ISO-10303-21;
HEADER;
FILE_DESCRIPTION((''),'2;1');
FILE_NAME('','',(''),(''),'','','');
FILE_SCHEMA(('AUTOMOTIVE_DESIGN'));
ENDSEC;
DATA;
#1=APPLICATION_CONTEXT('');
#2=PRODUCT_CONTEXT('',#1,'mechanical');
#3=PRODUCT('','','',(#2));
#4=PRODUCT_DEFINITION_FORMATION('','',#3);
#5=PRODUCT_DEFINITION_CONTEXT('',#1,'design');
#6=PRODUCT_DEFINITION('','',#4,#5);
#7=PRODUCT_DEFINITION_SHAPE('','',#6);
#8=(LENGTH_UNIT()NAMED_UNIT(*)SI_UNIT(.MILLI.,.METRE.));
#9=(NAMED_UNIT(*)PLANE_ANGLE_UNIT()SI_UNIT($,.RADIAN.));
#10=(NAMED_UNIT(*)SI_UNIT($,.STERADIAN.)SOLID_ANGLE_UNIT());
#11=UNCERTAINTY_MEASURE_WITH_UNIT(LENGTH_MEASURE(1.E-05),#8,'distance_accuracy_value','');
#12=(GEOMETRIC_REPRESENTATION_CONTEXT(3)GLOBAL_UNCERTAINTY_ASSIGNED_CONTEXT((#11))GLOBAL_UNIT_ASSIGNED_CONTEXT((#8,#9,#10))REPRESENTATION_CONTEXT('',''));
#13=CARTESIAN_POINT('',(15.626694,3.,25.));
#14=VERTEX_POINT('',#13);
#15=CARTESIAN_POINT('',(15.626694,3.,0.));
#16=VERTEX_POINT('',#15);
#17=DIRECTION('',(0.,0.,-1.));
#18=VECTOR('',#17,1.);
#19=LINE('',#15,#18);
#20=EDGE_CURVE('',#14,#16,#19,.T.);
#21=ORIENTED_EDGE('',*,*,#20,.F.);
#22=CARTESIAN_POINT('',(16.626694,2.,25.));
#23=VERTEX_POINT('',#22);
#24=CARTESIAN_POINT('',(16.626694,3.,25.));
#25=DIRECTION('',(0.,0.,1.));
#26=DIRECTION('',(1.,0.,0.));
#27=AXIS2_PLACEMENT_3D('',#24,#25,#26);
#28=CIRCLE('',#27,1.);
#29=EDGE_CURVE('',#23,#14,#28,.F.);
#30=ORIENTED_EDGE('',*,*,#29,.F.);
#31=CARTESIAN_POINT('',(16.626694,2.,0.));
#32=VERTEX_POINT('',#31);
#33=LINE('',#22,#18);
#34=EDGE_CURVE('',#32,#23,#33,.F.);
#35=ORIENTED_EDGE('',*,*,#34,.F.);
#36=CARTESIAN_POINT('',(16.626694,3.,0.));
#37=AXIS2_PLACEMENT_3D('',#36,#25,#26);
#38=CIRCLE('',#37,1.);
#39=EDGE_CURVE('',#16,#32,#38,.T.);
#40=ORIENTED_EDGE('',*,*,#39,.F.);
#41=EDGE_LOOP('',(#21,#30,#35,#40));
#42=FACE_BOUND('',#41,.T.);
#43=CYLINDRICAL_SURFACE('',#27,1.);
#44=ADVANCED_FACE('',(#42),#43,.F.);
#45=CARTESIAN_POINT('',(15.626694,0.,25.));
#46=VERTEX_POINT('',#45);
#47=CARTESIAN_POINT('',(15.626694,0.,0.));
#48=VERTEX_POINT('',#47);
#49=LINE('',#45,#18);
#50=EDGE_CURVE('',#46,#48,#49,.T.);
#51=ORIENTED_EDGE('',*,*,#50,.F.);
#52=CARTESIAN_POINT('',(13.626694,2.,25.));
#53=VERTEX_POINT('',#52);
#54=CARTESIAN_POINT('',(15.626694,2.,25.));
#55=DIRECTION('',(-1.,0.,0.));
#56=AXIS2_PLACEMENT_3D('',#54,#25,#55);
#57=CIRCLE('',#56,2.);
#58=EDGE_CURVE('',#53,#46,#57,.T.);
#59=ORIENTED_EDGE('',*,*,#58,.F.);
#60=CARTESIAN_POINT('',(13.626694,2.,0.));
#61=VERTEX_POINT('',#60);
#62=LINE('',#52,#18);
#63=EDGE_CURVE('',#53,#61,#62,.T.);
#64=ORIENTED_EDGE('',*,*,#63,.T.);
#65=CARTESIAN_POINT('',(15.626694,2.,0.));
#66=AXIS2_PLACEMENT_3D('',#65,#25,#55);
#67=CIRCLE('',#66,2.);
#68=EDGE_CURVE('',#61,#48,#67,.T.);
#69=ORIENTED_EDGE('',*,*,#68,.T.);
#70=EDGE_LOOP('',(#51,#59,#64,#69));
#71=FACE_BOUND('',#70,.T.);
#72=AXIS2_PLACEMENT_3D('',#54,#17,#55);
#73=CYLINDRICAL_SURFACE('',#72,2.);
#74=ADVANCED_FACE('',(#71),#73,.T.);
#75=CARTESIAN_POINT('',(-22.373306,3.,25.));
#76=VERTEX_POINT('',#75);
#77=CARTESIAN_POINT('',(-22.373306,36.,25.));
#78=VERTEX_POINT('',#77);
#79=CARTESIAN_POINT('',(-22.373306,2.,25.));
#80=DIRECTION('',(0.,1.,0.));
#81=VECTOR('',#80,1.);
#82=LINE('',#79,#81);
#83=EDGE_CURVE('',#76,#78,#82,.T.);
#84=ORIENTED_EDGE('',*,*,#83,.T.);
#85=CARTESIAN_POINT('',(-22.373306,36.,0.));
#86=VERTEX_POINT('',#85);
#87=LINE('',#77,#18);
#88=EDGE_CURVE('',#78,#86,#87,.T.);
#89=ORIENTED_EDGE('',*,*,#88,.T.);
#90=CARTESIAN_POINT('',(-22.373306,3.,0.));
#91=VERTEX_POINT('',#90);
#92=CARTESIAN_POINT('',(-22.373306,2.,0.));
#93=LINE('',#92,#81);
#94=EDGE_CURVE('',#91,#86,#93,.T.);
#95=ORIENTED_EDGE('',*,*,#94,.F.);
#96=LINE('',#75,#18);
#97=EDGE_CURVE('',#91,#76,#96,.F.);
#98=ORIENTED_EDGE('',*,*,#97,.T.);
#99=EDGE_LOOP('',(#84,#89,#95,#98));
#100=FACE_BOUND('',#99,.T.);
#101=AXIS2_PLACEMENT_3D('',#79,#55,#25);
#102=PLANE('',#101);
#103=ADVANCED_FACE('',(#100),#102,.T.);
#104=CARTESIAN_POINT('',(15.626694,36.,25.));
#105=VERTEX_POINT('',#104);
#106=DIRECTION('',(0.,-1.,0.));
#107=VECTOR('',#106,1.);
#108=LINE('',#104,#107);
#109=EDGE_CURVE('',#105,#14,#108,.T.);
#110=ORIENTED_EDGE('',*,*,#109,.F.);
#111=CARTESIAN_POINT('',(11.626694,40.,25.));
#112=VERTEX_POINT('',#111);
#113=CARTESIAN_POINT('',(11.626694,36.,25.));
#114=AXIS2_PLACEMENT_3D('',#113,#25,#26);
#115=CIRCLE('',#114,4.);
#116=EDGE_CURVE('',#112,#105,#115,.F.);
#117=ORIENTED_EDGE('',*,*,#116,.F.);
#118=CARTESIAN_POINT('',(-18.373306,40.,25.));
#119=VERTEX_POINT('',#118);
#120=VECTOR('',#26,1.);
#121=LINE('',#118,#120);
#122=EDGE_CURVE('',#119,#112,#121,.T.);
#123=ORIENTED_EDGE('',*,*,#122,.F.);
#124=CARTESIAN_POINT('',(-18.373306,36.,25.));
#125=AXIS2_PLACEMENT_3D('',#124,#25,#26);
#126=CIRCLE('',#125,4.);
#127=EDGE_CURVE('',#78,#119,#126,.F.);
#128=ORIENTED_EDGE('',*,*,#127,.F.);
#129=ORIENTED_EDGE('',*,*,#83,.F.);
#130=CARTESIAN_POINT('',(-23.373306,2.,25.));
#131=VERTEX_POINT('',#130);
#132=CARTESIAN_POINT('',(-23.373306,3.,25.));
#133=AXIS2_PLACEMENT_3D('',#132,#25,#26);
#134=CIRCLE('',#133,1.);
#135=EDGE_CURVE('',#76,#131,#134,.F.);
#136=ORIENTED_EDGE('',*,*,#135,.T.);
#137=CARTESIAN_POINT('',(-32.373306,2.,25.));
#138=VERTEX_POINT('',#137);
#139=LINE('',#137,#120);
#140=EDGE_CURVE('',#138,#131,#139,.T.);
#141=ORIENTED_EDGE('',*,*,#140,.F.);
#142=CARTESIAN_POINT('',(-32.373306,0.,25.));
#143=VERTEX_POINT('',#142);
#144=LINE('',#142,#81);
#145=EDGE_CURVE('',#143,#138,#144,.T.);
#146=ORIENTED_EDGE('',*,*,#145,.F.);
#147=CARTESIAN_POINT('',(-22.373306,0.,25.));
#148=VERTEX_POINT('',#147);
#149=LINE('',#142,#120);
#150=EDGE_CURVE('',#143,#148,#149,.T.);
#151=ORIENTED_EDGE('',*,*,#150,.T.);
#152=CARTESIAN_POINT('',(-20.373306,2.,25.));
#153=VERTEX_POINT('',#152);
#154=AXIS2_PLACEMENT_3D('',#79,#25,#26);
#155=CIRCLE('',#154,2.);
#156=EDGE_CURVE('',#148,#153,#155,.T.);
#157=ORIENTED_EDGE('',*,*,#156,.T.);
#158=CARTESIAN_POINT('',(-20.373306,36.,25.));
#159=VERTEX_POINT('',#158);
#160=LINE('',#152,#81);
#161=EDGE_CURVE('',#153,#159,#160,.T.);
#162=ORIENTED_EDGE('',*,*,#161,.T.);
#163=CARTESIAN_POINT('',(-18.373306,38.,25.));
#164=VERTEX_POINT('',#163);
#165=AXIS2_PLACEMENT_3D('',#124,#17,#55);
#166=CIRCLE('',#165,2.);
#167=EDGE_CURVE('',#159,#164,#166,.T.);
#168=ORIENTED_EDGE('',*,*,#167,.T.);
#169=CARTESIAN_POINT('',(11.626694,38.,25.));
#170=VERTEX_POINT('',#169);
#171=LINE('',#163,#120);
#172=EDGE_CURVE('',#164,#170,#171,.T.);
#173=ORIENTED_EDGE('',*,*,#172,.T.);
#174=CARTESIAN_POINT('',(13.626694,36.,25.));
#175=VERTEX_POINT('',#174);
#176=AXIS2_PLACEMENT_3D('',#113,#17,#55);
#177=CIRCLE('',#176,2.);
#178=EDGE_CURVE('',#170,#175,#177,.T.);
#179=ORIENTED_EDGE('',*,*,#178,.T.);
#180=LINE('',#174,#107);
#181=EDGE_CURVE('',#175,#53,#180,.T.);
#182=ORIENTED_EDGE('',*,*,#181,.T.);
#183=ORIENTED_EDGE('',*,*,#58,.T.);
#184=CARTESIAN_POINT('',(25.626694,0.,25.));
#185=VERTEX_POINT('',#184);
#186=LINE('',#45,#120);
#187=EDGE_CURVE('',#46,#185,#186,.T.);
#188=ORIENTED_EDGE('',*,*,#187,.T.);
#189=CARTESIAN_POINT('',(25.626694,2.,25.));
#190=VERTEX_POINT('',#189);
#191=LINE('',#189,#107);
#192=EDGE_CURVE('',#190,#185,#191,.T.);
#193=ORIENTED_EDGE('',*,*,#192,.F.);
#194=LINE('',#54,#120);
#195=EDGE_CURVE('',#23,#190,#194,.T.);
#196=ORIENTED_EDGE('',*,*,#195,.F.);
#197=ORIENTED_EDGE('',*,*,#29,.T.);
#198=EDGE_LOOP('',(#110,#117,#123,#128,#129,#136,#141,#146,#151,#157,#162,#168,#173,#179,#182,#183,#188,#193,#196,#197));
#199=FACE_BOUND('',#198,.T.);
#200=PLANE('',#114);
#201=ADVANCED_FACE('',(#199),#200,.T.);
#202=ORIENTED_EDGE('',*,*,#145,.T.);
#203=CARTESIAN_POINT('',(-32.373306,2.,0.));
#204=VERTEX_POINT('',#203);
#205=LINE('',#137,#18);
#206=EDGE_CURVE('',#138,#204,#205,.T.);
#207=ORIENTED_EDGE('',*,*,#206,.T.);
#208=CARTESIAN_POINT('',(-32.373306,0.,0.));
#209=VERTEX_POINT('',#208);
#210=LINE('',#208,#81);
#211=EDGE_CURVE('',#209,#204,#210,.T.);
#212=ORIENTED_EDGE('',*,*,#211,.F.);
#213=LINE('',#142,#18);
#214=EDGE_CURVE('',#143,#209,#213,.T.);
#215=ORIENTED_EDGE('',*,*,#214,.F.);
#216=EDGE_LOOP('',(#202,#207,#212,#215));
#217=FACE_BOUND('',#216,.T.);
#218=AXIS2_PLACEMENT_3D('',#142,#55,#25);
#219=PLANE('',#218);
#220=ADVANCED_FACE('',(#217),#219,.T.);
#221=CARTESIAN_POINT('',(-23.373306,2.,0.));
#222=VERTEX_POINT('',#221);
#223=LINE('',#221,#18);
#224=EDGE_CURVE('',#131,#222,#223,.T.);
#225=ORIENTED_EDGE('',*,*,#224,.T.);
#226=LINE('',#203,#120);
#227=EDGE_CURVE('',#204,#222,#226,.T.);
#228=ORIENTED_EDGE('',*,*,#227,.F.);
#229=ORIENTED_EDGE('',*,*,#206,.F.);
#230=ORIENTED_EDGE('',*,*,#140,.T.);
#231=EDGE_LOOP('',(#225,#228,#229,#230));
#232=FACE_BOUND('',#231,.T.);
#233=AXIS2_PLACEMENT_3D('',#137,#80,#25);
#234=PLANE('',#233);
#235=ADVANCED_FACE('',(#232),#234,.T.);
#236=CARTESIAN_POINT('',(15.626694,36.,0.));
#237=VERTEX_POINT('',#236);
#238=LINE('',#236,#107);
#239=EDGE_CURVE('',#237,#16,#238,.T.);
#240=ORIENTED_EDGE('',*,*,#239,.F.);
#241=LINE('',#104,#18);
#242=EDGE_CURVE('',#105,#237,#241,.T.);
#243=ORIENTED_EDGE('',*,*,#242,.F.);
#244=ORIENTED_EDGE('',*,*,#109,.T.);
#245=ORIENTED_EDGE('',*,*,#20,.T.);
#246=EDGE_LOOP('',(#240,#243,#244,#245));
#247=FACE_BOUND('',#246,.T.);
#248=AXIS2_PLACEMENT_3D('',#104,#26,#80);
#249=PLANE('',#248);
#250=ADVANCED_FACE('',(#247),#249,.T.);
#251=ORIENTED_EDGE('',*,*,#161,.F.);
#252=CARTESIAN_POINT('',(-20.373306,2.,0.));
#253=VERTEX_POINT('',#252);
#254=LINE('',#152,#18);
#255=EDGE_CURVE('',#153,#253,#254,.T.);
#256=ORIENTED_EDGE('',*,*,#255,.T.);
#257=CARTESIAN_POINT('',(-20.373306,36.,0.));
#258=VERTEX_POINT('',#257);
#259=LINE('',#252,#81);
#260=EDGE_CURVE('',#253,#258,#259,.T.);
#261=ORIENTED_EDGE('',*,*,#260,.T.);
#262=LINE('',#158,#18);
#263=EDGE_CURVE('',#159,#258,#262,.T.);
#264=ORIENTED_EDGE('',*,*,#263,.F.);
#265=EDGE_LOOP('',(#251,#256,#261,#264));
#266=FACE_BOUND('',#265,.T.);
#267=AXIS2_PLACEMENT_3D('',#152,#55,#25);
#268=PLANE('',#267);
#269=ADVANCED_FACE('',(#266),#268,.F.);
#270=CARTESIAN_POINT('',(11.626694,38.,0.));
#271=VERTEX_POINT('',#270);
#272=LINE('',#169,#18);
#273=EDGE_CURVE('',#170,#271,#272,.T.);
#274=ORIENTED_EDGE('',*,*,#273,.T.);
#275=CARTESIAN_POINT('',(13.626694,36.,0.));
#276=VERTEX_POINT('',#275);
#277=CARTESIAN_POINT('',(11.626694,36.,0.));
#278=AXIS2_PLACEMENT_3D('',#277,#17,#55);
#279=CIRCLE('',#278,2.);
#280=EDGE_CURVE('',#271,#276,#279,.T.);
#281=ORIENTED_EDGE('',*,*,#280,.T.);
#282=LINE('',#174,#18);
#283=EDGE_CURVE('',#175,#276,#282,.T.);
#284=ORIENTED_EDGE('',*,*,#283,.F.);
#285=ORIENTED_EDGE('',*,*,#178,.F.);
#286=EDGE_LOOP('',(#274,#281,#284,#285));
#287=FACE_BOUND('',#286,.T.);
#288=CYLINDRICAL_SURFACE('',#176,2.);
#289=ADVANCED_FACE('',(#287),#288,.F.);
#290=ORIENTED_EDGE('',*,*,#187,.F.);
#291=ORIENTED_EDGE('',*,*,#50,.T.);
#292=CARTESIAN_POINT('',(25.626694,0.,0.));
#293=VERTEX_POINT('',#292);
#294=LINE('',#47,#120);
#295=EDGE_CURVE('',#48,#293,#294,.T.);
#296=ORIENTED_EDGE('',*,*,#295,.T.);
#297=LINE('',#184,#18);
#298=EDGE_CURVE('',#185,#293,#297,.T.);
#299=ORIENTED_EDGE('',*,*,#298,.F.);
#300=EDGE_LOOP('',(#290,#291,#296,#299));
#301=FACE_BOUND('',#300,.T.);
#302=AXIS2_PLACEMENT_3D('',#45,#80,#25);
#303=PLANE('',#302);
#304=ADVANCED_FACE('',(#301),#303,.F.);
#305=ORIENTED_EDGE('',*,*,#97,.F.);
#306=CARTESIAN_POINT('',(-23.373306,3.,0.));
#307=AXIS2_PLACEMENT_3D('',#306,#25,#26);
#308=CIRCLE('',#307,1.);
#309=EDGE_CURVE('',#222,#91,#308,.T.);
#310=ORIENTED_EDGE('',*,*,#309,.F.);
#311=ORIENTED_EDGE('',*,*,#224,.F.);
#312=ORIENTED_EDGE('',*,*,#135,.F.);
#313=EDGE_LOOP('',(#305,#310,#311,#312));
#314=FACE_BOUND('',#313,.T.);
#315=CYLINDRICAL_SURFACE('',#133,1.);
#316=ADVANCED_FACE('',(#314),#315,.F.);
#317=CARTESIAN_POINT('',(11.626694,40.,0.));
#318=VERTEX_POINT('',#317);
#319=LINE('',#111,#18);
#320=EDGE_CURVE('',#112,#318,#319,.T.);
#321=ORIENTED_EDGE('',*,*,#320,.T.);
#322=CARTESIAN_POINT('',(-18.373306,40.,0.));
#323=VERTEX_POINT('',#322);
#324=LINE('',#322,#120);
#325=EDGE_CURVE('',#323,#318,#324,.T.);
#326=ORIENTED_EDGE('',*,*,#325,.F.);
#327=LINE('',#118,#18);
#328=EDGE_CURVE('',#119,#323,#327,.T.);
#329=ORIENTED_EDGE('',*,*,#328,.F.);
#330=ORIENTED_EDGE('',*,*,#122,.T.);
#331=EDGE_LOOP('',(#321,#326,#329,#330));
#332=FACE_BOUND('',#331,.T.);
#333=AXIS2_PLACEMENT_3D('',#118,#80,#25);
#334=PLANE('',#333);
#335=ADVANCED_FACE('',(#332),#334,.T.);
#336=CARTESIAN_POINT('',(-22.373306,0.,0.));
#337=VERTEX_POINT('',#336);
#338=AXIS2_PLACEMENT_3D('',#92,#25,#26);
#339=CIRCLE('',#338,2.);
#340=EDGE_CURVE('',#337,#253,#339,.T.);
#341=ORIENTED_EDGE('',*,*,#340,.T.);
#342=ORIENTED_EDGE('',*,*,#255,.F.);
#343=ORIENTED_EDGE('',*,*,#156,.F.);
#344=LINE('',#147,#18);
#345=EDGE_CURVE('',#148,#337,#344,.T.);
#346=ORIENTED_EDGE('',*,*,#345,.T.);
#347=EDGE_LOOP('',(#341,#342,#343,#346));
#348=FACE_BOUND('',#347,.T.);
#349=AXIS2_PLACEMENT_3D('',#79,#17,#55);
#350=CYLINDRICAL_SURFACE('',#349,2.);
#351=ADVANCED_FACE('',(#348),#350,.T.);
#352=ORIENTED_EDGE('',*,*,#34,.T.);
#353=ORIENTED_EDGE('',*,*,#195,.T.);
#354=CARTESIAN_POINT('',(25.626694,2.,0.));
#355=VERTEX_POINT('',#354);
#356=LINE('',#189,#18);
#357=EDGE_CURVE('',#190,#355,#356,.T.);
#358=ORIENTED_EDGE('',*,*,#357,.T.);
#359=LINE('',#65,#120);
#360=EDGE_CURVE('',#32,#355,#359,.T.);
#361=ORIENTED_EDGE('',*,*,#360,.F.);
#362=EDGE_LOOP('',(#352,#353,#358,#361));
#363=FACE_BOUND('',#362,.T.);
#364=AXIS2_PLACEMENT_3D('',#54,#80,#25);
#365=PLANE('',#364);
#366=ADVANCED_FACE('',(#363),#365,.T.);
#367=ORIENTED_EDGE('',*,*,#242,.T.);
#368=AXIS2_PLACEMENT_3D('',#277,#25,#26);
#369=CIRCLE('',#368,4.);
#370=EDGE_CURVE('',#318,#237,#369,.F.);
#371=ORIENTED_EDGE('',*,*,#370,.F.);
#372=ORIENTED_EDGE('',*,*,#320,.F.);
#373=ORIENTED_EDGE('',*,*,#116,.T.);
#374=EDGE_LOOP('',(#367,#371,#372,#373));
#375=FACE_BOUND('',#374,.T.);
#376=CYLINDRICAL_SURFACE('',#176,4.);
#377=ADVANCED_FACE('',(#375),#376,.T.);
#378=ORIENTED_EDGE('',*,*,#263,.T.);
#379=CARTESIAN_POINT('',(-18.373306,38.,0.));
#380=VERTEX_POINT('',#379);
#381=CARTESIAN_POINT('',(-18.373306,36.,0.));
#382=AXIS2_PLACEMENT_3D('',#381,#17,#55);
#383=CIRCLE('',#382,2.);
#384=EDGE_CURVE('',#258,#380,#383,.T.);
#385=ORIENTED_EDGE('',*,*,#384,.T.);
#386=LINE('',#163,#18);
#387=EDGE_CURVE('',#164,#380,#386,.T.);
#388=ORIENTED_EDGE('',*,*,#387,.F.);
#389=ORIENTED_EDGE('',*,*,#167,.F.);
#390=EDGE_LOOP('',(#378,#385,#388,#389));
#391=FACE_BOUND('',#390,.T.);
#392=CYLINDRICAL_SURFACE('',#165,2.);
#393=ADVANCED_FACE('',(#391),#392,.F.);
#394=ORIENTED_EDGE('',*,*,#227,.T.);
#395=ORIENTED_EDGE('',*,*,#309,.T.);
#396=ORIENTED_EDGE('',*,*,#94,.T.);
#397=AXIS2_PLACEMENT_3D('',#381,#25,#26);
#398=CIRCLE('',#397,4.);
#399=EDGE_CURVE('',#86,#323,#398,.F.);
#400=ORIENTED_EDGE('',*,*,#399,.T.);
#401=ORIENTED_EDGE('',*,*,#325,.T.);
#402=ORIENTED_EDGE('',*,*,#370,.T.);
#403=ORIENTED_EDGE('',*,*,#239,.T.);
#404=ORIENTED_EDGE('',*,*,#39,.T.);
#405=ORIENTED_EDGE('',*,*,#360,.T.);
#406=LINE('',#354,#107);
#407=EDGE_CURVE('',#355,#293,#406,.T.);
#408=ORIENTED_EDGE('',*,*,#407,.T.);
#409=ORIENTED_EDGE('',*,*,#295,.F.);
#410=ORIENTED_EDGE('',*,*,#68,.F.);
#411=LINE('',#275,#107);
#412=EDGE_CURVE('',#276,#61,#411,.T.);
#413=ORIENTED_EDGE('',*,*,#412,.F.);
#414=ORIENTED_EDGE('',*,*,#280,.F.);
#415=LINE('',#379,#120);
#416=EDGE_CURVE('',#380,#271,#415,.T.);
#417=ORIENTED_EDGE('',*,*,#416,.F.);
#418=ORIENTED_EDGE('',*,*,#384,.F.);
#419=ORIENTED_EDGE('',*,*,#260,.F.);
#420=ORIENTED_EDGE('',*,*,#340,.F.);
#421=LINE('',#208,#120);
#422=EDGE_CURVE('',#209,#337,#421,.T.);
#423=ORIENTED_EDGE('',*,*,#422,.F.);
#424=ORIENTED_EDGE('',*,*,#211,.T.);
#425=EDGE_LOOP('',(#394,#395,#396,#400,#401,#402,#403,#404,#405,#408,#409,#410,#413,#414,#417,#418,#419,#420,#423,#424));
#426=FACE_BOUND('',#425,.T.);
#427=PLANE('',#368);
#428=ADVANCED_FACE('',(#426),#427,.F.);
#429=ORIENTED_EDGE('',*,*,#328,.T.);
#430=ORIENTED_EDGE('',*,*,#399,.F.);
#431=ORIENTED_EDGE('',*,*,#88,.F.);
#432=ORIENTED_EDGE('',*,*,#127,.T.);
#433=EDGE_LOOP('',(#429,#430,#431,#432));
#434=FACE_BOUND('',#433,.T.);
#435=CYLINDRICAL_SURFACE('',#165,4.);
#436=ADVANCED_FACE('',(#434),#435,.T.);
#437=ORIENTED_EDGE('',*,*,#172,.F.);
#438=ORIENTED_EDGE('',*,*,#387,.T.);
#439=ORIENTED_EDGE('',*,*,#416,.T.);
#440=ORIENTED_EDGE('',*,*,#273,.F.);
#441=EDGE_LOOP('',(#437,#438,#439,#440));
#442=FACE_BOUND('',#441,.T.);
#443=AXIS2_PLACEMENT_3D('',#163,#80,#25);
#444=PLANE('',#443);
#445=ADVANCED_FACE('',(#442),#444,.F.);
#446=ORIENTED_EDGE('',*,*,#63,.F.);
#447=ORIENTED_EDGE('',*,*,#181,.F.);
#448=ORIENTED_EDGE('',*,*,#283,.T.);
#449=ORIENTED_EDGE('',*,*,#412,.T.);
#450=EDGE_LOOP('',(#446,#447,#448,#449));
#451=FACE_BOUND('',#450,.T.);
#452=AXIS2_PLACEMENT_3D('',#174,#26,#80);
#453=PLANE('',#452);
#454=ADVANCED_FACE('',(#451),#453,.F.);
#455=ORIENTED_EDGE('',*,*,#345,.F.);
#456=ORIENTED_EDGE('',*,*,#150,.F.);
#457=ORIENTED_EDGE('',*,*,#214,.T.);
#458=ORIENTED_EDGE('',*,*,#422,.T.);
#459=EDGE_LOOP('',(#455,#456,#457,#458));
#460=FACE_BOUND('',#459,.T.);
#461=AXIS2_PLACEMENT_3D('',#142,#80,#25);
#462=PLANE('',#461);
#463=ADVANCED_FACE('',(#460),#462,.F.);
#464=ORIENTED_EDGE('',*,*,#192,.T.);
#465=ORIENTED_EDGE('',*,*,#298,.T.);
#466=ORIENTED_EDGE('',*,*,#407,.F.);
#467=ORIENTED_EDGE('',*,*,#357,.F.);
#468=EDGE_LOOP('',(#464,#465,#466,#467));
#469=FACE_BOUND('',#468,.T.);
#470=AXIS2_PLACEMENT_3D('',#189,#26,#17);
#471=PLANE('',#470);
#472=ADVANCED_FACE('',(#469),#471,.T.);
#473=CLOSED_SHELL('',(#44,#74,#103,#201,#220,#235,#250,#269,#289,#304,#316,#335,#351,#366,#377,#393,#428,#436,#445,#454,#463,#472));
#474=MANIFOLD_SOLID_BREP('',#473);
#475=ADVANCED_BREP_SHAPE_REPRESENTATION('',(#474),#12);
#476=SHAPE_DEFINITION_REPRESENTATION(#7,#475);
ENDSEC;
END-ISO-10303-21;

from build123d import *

# Parameters (mm, degrees)
EXTRU_MINCE1_DEPTH = 25
CONG_1_R           = 1


with BuildPart() as part:
    # Esquisse1 → Extru.-Mince1 (new body)
    with BuildSketch(Plane.XY):
        with BuildLine():
            Line((-32.373305915, 0), (-22.373305915, 0))
            ThreePointArc((-22.373305915, 0), (-20.959092353, 0.585786438), (-20.373305915, 2))
            Line((-20.373305915, 2), (-20.373305915, 36))
            ThreePointArc((-20.373305915, 36), (-19.787519478, 37.414213562), (-18.373305915, 38))
            Line((-18.373305915, 38), (11.626694085, 38))
            ThreePointArc((11.626694085, 38), (13.040907647, 37.414213562), (13.626694085, 36))
            Line((13.626694085, 36), (13.626694085, 2))
            ThreePointArc((13.626694085, 2), (14.212480522, 0.585786438), (15.626694085, 0))
            Line((15.626694085, 0), (25.626694085, 0))
            Line((25.626694085, 0), (25.626694085, 2))
            Line((25.626694085, 2), (15.626694085, 2))
            Line((15.626694085, 2), (15.626694085, 36))
            ThreePointArc((15.626694085, 36), (14.455121209, 38.828427125), (11.626694085, 40))
            Line((11.626694085, 40), (-18.373305915, 40))
            ThreePointArc((-18.373305915, 40), (-21.20173304, 38.828427125), (-22.373305915, 36))
            Line((-22.373305915, 36), (-22.373305915, 2))
            Line((-22.373305915, 2), (-32.373305915, 2))
            Line((-32.373305915, 2), (-32.373305915, 0))
        make_face()
    extrude(amount=EXTRU_MINCE1_DEPTH)

    # Congé1
    cong_1_edges = [part.edges().sort_by_distance(p)[0] for p in [
        (-22.373305915, 2, 12.5),
        (15.626694085, 2, 12.5),
    ]]
    fillet(cong_1_edges, radius=CONG_1_R)


solid = part.part
